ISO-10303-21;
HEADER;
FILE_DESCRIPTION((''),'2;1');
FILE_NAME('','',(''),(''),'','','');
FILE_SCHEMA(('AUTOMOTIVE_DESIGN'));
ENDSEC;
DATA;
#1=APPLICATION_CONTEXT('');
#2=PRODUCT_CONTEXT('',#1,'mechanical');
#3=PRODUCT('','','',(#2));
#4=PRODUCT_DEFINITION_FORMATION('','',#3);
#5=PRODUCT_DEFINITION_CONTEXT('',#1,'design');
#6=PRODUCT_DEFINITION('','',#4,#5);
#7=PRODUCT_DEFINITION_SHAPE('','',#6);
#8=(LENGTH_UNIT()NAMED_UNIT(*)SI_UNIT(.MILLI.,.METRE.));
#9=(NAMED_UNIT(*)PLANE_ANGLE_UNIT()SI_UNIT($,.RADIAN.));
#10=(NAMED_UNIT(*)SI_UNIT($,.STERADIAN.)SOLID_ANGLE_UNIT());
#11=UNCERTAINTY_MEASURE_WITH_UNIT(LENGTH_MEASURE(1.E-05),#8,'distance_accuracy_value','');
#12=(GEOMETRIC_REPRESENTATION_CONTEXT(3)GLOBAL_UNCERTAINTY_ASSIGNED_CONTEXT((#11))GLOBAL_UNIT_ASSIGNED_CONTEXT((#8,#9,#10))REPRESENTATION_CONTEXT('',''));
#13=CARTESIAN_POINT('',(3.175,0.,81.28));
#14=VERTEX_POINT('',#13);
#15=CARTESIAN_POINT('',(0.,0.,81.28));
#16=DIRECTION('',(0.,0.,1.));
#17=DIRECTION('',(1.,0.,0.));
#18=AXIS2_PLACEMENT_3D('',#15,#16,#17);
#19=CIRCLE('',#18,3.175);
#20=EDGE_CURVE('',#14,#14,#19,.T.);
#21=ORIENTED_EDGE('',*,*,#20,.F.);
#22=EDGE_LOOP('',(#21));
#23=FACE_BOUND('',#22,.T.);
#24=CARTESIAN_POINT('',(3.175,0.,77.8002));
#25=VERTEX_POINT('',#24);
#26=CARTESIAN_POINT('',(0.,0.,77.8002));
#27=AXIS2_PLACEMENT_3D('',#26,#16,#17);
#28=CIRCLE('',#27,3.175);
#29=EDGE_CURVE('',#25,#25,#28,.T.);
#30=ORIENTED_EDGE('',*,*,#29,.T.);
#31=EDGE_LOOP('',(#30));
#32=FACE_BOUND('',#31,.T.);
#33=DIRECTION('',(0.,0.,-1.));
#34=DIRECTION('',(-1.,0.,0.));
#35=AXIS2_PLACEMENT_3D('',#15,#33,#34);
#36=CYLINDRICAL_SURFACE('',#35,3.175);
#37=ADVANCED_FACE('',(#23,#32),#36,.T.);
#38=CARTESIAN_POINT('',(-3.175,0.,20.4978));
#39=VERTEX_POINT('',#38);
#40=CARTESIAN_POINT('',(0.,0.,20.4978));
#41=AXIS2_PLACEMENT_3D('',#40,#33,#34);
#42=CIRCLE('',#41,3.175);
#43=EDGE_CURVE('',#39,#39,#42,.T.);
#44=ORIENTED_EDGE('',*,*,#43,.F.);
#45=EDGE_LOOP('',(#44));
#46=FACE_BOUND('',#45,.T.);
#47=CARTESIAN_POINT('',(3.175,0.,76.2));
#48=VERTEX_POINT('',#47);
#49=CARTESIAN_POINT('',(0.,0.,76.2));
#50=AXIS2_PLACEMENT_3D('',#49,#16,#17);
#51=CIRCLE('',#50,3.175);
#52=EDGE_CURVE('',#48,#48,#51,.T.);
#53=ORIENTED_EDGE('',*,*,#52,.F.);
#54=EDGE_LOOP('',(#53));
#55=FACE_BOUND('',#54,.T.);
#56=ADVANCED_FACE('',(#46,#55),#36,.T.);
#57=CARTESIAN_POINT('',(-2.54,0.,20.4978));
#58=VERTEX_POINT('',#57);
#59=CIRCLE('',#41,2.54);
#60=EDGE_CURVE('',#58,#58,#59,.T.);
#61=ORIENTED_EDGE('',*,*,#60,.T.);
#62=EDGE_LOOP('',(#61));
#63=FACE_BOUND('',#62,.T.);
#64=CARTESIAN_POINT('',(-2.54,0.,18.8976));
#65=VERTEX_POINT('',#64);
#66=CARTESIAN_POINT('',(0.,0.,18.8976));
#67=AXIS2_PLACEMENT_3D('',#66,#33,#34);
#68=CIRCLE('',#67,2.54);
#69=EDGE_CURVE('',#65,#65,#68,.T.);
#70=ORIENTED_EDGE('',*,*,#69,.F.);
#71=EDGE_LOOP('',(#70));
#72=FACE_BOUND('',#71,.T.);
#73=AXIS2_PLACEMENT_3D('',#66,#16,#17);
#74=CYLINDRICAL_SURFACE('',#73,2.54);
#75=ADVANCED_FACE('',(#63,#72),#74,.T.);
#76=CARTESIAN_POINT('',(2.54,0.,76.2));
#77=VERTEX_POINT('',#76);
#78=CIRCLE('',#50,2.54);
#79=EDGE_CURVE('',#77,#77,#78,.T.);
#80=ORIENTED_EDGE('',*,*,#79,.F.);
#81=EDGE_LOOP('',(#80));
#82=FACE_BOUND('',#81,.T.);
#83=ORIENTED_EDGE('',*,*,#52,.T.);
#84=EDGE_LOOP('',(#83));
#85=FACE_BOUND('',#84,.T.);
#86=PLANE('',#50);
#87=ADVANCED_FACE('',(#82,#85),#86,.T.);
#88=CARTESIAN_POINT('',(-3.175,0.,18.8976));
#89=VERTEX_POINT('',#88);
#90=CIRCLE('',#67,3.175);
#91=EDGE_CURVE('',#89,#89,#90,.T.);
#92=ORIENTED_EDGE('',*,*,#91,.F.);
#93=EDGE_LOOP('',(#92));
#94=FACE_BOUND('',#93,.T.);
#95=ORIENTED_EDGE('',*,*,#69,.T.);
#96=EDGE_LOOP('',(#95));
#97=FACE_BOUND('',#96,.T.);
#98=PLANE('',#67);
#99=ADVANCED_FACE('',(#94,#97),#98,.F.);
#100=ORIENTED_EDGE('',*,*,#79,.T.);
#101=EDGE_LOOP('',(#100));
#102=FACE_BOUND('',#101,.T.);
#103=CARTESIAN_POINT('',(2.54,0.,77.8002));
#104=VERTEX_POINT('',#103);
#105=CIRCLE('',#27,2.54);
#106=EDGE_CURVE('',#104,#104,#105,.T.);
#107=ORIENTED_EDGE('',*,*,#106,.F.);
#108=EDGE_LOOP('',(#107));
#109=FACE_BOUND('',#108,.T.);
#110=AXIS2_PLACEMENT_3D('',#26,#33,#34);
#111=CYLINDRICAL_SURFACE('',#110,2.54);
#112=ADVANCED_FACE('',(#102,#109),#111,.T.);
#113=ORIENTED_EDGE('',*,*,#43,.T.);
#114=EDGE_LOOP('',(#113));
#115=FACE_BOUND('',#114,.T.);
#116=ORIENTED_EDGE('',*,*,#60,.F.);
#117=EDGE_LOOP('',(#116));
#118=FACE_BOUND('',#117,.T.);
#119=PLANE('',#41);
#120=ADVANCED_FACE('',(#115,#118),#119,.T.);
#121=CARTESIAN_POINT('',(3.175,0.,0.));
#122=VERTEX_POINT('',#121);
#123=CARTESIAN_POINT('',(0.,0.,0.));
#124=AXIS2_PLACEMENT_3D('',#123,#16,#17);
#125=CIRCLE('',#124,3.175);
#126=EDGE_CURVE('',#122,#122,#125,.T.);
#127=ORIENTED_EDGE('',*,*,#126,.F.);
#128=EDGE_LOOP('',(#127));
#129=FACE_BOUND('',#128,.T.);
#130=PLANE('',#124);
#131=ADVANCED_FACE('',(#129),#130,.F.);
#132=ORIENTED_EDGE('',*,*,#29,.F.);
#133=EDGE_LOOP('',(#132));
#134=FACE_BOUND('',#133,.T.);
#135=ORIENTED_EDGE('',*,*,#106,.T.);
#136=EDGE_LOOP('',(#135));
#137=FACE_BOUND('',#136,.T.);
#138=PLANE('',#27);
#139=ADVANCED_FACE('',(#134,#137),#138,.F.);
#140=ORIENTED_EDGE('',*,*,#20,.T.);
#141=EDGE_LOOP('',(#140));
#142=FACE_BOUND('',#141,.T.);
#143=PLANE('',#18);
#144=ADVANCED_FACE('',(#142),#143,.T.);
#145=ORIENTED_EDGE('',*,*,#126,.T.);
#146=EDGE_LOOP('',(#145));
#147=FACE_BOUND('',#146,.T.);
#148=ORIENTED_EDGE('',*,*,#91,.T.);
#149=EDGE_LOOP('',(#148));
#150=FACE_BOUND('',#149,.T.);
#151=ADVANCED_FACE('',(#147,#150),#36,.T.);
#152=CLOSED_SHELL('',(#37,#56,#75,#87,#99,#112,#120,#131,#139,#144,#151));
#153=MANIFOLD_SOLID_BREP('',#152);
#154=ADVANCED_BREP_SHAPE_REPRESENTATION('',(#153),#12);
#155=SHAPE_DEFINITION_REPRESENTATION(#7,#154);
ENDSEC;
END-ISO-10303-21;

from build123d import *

# Parameters (mm, degrees)
SKETCH2_R           = 3.175
BOSS_EXTRUDE1_DEPTH = 81.28
SKETCH3_OUTSIDE_W   = 24.704
SKETCH3_OUTSIDE_H   = 24.704
SKETCH3_OUTSIDE_R   = 2.54
CUT_EXTRUDE1_DEPTH  = 1.6002
SKETCH4_OUTSIDE_W   = 24.704
SKETCH4_OUTSIDE_H   = 24.704
SKETCH4_OUTSIDE_R   = 2.54
CUT_EXTRUDE2_DEPTH  = 1.6002


with BuildPart() as part:
    # Sketch2 → Boss-Extrude1 (new body)
    with BuildSketch(Plane.XY):
        Circle(SKETCH2_R)
    extrude(amount=BOSS_EXTRUDE1_DEPTH)

    # Sketch3 outside → Cut-Extrude1 (cut)
    with BuildSketch(Plane(origin=(0, 0, 20.4978), x_dir=(-1, 0, 0), z_dir=(0, 0, -1))):
        Rectangle(SKETCH3_OUTSIDE_W, SKETCH3_OUTSIDE_H)
        Circle(SKETCH3_OUTSIDE_R, mode=Mode.SUBTRACT)
    extrude(amount=CUT_EXTRUDE1_DEPTH, mode=Mode.SUBTRACT)

    # Sketch4 outside → Cut-Extrude2 (cut)
    with BuildSketch(Plane.XY.offset(76.2)):
        Rectangle(SKETCH4_OUTSIDE_W, SKETCH4_OUTSIDE_H)
        Circle(SKETCH4_OUTSIDE_R, mode=Mode.SUBTRACT)
    extrude(amount=CUT_EXTRUDE2_DEPTH, mode=Mode.SUBTRACT)


solid = part.part
